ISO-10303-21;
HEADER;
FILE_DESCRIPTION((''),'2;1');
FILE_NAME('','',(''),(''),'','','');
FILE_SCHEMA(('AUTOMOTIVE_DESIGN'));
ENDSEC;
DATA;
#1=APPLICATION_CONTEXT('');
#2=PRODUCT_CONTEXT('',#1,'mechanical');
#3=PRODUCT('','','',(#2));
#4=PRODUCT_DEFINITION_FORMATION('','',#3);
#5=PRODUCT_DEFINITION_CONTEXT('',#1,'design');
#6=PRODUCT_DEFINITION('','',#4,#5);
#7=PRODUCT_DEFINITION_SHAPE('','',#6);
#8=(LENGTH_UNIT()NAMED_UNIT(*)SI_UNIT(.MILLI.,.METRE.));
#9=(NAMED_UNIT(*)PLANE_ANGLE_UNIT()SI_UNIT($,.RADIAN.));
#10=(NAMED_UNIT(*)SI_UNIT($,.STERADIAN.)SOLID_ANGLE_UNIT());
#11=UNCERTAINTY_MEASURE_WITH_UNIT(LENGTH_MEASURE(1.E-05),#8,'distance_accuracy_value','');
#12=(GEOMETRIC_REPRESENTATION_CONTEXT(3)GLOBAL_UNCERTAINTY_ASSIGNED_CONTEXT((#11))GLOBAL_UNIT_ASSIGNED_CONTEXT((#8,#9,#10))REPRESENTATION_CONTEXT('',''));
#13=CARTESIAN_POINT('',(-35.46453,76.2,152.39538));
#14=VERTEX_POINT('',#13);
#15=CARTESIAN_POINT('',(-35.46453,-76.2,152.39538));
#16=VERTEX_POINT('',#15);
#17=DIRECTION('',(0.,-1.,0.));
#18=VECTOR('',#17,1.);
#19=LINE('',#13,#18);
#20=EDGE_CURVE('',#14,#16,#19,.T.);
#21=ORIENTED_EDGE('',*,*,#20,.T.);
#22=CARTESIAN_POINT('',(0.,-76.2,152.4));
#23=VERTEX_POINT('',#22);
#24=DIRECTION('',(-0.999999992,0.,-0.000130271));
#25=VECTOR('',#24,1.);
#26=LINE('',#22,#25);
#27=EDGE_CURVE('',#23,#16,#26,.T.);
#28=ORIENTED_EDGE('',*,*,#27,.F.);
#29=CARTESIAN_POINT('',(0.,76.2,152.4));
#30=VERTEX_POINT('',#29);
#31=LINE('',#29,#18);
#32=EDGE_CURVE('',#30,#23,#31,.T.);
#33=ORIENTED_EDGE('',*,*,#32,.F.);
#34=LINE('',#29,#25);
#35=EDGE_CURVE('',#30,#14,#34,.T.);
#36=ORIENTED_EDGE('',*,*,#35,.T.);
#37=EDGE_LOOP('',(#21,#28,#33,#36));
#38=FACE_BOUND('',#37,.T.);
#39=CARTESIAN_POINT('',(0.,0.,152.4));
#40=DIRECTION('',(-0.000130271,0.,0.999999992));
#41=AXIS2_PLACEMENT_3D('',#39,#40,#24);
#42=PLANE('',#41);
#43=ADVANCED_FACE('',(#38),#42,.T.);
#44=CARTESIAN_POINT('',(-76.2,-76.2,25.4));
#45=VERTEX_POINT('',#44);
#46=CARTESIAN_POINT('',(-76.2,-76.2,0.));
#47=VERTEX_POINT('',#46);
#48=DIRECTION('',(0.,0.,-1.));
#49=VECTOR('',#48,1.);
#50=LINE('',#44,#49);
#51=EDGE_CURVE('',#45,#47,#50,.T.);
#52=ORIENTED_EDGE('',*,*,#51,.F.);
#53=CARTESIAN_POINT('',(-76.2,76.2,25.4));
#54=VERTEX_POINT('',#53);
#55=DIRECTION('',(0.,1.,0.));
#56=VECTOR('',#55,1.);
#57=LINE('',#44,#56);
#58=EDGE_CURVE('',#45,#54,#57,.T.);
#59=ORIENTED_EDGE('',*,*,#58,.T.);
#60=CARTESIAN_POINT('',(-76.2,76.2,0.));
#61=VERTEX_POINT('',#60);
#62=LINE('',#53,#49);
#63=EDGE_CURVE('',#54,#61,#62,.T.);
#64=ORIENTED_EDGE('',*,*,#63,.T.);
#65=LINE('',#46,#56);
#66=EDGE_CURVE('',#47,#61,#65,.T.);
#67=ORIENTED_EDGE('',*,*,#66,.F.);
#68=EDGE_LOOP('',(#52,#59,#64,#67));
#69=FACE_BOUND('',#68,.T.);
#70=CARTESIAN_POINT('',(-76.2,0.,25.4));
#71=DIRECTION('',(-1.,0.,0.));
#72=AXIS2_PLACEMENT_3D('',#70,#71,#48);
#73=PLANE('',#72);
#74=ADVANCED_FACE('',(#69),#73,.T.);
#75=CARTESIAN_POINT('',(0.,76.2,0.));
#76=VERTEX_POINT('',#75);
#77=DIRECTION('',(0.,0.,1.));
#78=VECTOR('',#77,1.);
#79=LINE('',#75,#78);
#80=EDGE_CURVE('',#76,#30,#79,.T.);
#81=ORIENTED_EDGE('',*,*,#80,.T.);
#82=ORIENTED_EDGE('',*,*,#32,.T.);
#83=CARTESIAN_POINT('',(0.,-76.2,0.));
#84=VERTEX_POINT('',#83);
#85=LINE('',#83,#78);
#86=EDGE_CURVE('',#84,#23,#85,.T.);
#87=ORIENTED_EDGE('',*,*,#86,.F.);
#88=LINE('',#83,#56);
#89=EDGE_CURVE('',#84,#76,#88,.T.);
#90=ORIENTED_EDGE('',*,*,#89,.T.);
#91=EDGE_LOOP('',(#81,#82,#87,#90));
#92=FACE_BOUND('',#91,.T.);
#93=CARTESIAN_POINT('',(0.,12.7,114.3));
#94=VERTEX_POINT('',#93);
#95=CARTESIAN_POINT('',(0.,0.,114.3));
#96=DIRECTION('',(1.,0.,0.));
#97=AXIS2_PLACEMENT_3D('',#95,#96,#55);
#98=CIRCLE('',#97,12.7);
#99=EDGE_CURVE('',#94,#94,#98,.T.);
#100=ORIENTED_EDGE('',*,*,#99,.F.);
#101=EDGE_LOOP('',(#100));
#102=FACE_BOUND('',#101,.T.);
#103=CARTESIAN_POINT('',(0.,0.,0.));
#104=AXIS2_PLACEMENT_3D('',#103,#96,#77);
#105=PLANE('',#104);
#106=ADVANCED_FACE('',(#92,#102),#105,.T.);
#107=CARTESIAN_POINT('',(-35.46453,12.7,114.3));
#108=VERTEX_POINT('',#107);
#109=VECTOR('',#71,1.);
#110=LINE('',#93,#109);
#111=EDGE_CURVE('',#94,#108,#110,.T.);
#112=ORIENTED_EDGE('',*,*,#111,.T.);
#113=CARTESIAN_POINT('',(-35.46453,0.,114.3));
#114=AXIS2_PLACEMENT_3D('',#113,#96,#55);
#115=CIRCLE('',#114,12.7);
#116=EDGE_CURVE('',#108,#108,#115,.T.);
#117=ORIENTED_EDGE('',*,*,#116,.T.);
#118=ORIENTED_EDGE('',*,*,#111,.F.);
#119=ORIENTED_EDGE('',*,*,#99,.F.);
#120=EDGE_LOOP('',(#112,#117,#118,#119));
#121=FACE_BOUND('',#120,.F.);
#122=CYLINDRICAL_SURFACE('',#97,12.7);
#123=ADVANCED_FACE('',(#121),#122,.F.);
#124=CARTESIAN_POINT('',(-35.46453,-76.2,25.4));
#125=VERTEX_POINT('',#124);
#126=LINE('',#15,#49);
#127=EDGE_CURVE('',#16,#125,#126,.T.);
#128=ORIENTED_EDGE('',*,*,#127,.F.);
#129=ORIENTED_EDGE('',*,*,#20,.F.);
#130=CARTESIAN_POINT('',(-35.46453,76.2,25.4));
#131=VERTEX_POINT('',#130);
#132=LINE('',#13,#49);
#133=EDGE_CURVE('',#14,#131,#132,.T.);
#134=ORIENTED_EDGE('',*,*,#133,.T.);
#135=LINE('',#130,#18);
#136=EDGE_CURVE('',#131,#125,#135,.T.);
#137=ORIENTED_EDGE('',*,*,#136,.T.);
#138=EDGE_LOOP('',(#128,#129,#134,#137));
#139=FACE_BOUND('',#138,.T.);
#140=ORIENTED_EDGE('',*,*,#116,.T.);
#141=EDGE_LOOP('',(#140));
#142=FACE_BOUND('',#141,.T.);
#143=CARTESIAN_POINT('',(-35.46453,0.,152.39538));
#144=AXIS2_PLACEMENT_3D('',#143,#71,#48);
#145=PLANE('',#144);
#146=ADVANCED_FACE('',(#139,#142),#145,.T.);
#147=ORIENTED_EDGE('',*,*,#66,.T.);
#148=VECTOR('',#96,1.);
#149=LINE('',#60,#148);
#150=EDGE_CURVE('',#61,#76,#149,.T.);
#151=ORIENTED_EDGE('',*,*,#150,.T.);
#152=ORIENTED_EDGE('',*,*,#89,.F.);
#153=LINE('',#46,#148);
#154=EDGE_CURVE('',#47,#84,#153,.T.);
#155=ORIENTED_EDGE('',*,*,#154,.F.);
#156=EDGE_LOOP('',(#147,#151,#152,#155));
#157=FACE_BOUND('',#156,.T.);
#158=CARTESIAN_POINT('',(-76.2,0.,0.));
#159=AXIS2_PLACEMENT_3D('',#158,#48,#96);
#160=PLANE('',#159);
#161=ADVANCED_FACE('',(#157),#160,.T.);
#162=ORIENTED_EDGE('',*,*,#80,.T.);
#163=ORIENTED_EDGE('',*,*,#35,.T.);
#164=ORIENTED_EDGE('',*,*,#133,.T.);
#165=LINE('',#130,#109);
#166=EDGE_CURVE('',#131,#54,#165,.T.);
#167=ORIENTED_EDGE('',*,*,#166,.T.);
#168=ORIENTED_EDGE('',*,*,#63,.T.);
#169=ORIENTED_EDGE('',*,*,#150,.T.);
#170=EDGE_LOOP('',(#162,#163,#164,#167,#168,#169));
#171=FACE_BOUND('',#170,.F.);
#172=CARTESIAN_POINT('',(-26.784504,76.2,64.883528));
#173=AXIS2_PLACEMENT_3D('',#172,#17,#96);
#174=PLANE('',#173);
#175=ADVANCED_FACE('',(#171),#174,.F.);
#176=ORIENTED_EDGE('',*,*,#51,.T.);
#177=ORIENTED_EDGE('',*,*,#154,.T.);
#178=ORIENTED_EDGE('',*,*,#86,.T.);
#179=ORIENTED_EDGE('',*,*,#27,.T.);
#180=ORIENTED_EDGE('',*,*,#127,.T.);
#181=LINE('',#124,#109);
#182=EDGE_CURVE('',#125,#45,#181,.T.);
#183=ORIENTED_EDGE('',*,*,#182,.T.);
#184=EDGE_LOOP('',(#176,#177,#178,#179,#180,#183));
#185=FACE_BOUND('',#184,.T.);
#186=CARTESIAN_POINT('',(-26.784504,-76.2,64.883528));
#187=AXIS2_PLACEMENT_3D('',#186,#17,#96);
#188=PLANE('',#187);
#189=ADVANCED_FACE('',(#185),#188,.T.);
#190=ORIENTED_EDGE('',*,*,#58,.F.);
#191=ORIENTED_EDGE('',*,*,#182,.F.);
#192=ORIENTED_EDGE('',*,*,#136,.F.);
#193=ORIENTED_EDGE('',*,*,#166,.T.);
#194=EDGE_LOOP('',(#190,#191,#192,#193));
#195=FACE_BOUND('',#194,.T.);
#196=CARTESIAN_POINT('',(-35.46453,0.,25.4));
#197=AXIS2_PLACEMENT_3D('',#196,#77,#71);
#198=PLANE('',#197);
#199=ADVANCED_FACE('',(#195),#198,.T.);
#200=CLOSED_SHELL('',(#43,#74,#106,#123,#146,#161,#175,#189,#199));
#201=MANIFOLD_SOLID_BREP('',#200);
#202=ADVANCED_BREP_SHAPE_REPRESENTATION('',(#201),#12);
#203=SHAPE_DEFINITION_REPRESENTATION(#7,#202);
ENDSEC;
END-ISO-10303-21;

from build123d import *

# Parameters (mm, degrees)
F1_DEPTH = 76.2
F2_R     = 12.7
F3_DEPTH = 76.201


with BuildPart() as f1:
    # F0 (on Front) → F1 (new body, symmetric)
    with BuildSketch(Plane.XZ):
        Polygon((0, 0), (0, 152.4), (-35.46453, 152.39538), (-35.46453, 25.4), (-76.2, 25.4), (-76.2, 0), align=None)
    extrude(amount=F1_DEPTH, both=True)

    # F2 (on face) → F3 (cut, through all)
    with BuildSketch(Plane.YZ):
        with Locations((0, 114.3)):
            Circle(F2_R)
    extrude(amount=-F3_DEPTH, mode=Mode.SUBTRACT)


solid = f1.part
